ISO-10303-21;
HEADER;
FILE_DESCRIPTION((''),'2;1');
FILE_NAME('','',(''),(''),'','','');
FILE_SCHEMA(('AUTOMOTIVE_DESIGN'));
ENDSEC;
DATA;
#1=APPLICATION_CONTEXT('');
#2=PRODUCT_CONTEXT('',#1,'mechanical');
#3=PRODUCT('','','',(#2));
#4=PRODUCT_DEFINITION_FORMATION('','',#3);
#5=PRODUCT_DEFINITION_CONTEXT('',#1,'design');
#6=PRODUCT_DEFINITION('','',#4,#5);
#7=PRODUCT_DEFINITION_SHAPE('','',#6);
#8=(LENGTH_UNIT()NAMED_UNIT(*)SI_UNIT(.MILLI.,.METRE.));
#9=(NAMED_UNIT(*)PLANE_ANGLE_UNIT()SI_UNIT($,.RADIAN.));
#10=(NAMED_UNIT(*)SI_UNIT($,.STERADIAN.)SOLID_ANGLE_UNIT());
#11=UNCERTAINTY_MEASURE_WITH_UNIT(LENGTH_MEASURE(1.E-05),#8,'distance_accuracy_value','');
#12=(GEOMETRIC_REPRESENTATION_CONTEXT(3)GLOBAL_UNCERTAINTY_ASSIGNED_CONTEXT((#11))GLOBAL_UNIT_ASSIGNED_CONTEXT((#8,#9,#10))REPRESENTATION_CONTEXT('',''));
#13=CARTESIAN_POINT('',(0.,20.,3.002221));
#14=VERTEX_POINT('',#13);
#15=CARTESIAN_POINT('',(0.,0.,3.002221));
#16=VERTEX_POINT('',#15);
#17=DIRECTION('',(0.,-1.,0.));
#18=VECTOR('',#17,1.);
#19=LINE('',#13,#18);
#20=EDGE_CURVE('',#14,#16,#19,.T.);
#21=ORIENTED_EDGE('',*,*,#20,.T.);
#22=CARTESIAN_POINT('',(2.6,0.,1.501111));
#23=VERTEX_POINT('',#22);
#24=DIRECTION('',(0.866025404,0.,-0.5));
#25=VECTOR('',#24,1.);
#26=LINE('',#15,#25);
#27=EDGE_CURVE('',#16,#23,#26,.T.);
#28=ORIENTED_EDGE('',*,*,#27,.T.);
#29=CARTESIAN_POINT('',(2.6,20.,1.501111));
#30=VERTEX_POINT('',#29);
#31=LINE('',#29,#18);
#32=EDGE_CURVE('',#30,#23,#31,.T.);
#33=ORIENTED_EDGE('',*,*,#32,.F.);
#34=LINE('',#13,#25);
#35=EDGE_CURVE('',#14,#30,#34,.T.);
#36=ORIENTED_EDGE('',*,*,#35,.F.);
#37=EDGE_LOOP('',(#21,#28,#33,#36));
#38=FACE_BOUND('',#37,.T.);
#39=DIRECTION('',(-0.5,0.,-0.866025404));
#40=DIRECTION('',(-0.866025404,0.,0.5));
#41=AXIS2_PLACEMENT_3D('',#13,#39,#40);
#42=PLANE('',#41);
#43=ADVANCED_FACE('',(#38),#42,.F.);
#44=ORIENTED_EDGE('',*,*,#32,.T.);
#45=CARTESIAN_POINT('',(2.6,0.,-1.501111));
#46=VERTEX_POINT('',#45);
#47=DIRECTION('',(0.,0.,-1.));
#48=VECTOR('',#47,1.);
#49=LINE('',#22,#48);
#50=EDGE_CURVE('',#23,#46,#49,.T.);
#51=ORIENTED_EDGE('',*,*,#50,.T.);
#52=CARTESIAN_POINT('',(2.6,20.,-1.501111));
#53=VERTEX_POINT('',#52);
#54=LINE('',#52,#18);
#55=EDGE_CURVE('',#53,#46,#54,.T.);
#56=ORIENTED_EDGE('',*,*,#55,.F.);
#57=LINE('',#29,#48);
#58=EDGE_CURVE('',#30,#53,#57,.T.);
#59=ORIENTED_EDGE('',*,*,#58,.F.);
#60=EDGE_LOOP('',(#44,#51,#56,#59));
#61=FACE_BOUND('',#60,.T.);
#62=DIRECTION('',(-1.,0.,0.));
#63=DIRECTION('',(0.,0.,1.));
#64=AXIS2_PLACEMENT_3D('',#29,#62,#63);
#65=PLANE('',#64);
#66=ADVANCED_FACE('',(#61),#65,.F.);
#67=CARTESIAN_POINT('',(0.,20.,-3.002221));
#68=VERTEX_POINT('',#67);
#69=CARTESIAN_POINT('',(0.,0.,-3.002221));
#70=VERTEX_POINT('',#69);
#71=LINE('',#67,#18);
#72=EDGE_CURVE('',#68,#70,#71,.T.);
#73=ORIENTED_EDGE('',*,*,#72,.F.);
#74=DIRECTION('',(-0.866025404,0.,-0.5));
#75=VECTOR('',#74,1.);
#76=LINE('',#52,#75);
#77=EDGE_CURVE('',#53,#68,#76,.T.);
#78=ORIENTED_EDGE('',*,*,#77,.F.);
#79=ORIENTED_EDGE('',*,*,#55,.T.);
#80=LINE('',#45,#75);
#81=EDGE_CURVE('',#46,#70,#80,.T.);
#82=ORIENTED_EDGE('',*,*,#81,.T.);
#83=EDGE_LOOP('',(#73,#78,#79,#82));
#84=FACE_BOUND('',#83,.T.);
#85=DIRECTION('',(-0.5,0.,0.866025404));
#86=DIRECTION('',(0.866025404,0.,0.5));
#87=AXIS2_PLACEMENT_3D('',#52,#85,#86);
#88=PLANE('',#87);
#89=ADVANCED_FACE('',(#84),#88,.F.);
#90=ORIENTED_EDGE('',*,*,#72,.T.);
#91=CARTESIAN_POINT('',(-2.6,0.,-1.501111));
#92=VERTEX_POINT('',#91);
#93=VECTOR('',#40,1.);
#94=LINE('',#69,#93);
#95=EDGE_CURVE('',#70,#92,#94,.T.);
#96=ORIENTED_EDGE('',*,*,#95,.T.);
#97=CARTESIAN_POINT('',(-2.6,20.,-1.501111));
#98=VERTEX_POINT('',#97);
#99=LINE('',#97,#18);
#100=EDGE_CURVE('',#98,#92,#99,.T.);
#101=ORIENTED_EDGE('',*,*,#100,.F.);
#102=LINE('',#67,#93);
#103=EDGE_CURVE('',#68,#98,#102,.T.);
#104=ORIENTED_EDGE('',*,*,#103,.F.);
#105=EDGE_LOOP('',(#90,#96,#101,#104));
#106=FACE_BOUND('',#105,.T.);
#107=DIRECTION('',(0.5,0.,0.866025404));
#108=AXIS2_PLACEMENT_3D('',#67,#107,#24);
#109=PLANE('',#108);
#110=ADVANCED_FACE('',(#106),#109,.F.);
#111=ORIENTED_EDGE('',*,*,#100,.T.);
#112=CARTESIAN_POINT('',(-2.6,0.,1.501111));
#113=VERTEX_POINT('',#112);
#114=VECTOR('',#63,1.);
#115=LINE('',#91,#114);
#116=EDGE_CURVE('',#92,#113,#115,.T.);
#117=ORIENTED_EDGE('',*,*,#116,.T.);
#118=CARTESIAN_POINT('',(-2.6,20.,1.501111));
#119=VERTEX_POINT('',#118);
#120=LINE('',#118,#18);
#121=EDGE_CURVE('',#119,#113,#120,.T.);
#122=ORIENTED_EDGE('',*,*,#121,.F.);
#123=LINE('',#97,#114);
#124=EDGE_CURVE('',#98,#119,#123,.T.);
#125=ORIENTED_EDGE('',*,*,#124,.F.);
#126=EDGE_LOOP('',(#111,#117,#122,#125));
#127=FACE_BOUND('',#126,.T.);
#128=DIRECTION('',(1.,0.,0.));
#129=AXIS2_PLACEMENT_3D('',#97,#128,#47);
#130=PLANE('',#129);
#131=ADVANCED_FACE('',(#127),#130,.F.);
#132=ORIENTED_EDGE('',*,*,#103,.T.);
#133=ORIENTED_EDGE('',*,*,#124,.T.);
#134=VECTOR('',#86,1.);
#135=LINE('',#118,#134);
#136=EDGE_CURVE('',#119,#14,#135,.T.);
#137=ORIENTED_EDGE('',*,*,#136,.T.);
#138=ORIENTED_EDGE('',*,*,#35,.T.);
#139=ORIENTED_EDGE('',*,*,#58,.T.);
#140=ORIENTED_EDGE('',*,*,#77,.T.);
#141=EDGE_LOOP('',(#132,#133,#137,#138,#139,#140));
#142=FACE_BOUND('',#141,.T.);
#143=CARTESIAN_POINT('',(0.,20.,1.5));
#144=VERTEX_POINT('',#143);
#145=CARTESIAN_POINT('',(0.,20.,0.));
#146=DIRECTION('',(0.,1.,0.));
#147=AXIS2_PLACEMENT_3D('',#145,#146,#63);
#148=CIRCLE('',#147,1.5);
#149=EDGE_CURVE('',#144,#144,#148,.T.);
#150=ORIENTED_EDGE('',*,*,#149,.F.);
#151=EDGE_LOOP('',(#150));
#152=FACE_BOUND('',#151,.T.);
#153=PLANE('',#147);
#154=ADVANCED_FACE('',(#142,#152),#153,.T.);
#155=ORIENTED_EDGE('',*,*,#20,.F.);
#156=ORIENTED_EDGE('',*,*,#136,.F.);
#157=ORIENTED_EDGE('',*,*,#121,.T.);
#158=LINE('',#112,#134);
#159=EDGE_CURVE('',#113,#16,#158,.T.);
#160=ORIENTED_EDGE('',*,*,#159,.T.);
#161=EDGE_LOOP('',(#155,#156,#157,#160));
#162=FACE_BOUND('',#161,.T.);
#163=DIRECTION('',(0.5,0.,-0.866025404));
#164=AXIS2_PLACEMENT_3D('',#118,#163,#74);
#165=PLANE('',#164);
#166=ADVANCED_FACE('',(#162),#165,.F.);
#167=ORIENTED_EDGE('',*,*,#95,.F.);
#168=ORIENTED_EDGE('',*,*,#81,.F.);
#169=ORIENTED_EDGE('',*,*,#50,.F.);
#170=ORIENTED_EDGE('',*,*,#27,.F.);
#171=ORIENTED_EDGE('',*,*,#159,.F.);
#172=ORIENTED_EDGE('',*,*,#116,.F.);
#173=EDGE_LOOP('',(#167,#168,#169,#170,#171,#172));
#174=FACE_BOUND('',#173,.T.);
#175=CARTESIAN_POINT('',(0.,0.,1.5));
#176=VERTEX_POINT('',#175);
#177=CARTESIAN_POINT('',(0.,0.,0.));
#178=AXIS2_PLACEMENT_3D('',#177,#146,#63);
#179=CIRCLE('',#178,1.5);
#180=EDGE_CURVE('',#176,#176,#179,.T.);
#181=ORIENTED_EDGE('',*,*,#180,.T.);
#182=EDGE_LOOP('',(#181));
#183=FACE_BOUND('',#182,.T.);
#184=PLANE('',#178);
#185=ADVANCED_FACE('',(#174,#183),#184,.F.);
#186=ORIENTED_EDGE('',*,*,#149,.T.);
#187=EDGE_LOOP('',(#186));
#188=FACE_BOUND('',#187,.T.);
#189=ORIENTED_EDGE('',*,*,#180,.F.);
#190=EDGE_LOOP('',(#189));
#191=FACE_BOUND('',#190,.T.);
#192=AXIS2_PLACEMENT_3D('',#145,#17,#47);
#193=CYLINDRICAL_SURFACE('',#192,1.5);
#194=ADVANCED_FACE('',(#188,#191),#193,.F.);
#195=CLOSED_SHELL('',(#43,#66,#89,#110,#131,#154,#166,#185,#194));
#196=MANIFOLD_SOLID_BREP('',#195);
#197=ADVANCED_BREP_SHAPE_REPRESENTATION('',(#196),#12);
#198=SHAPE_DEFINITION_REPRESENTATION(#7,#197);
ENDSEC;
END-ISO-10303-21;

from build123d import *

# Parameters (mm, degrees)
SKETCH1_R           = 1.5
BOSS_EXTRUDE2_DEPTH = 20


with BuildPart() as part:
    # Sketch1 → Boss-Extrude2 (new body)
    with BuildSketch(Plane(origin=(0, 0, 0), x_dir=(1, 0, 0), z_dir=(0, 1, 0))):
        Polygon((0, 3.0022214), (-2.6, 1.5011107), (-2.6, -1.5011107), (0, -3.0022214), (2.6, -1.5011107), (2.6, 1.5011107), align=None)
        Circle(SKETCH1_R, mode=Mode.SUBTRACT)
    extrude(amount=BOSS_EXTRUDE2_DEPTH)


solid = part.part
